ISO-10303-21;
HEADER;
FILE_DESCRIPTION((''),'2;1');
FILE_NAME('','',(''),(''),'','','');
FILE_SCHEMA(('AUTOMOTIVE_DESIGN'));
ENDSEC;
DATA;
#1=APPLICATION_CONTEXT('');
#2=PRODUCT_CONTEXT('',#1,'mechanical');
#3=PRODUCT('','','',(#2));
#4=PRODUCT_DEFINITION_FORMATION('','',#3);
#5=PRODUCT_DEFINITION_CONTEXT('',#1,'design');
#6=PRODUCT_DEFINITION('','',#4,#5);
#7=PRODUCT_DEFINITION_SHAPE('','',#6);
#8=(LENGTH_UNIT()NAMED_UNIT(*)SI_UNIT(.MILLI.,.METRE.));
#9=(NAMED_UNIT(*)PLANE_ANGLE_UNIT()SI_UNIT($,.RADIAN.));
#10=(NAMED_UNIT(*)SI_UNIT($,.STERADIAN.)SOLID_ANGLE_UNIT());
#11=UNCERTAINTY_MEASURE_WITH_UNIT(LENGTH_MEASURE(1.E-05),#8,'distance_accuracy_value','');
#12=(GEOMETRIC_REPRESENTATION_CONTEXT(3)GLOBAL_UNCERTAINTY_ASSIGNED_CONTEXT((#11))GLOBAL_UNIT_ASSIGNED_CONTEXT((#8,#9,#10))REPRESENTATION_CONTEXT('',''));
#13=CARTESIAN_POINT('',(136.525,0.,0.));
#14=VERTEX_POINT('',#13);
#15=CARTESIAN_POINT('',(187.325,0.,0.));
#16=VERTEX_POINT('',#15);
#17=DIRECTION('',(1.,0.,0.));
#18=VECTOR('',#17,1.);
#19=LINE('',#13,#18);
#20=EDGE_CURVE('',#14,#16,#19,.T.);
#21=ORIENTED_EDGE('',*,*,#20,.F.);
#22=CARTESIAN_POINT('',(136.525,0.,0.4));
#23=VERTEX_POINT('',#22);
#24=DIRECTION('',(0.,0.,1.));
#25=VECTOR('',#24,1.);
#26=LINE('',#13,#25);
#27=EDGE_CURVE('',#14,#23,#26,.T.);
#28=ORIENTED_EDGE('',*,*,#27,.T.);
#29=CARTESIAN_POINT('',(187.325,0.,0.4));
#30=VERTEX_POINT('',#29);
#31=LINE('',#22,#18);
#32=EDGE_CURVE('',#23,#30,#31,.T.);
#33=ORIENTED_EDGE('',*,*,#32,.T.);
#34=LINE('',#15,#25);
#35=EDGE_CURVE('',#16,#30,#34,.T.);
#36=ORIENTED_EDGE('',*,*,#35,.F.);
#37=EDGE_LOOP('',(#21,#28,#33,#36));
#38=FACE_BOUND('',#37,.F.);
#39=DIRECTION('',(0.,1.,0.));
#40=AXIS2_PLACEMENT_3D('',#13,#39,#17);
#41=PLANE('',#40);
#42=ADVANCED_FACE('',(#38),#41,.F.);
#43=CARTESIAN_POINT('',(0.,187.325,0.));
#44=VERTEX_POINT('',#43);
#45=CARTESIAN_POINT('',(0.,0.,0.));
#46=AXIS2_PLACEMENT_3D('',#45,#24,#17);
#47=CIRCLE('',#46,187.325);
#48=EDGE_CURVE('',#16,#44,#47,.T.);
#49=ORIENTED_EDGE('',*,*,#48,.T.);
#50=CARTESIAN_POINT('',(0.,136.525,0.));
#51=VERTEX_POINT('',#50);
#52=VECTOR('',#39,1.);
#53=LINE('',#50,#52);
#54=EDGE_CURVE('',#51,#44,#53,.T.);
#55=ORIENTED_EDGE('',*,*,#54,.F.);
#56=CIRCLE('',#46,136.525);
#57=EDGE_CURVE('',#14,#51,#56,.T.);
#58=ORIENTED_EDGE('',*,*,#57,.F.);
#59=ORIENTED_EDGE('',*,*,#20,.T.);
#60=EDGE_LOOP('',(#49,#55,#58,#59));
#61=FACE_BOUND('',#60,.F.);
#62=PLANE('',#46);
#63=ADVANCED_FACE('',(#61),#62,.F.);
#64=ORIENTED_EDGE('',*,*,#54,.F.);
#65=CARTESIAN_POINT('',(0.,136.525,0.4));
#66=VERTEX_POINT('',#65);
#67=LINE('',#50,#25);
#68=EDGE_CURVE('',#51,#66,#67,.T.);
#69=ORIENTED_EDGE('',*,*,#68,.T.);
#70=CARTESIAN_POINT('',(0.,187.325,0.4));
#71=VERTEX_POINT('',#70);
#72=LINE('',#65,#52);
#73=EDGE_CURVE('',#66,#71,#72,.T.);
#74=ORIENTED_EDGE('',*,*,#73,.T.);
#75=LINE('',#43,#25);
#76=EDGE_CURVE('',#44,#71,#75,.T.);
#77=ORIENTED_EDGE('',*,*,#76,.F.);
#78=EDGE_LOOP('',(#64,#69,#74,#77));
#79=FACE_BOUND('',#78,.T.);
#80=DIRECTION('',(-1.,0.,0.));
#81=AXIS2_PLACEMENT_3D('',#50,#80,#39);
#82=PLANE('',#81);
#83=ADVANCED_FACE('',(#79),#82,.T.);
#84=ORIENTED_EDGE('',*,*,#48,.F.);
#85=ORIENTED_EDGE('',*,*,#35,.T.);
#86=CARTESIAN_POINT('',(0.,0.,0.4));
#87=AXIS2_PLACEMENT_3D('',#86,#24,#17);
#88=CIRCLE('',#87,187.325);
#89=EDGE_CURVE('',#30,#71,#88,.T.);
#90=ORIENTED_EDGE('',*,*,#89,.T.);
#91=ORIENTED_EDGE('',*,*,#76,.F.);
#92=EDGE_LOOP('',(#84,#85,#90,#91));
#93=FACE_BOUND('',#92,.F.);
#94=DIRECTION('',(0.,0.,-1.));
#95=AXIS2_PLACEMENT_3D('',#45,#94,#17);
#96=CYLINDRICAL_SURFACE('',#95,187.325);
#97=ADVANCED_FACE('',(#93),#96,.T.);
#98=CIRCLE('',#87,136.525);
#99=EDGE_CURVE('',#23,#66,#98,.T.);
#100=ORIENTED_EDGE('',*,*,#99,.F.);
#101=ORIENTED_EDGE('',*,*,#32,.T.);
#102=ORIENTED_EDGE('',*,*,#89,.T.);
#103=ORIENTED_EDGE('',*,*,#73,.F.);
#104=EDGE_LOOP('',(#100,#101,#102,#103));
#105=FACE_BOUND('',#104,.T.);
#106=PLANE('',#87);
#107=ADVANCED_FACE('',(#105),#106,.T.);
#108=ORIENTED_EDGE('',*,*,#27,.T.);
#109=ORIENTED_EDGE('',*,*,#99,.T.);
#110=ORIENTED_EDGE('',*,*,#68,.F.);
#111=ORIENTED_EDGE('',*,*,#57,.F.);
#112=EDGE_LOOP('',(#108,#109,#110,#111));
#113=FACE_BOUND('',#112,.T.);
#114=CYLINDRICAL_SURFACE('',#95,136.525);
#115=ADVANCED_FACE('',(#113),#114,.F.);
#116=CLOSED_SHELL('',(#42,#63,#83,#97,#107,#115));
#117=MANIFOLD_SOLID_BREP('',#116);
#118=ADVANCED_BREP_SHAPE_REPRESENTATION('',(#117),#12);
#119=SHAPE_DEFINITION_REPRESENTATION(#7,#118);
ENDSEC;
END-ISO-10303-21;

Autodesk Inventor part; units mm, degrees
ref_plane "YZ Plane" through (0, 0, 0) normal (1, 0, 0) x (0, 1, 0)
ref_plane "XZ Plane" through (0, 0, 0) normal (0, 1, 0) x (-1, 0, 0)
ref_plane "XY Plane" through (0, 0, 0) normal (0, 0, 1) x (1, 0, 0)
sketch "Sketch1" plane through (0, 0, 0) normal (0, 0, 1) x (1, 0, 0)
  arc A0 (187.325, 0) -> (0, 187.325) centre (0, 0) ccw
  arc A1 (136.525, 0) -> (0, 136.525) centre (0, 0) ccw
  line L0 (0, 136.525) -> (0, 187.325)
  line L1 (136.525, 0) -> (187.325, 0)
  point P0 (161.925, 0)
  point P1 (0, 161.925)
  dimension "d2" = 187.325
  dimension "d3" = 136.525
extrude "Extrusion1" add sketch "Sketch1" along normal blind 0.4
properties part number "3DPRINT,CABLE,TRAY"
